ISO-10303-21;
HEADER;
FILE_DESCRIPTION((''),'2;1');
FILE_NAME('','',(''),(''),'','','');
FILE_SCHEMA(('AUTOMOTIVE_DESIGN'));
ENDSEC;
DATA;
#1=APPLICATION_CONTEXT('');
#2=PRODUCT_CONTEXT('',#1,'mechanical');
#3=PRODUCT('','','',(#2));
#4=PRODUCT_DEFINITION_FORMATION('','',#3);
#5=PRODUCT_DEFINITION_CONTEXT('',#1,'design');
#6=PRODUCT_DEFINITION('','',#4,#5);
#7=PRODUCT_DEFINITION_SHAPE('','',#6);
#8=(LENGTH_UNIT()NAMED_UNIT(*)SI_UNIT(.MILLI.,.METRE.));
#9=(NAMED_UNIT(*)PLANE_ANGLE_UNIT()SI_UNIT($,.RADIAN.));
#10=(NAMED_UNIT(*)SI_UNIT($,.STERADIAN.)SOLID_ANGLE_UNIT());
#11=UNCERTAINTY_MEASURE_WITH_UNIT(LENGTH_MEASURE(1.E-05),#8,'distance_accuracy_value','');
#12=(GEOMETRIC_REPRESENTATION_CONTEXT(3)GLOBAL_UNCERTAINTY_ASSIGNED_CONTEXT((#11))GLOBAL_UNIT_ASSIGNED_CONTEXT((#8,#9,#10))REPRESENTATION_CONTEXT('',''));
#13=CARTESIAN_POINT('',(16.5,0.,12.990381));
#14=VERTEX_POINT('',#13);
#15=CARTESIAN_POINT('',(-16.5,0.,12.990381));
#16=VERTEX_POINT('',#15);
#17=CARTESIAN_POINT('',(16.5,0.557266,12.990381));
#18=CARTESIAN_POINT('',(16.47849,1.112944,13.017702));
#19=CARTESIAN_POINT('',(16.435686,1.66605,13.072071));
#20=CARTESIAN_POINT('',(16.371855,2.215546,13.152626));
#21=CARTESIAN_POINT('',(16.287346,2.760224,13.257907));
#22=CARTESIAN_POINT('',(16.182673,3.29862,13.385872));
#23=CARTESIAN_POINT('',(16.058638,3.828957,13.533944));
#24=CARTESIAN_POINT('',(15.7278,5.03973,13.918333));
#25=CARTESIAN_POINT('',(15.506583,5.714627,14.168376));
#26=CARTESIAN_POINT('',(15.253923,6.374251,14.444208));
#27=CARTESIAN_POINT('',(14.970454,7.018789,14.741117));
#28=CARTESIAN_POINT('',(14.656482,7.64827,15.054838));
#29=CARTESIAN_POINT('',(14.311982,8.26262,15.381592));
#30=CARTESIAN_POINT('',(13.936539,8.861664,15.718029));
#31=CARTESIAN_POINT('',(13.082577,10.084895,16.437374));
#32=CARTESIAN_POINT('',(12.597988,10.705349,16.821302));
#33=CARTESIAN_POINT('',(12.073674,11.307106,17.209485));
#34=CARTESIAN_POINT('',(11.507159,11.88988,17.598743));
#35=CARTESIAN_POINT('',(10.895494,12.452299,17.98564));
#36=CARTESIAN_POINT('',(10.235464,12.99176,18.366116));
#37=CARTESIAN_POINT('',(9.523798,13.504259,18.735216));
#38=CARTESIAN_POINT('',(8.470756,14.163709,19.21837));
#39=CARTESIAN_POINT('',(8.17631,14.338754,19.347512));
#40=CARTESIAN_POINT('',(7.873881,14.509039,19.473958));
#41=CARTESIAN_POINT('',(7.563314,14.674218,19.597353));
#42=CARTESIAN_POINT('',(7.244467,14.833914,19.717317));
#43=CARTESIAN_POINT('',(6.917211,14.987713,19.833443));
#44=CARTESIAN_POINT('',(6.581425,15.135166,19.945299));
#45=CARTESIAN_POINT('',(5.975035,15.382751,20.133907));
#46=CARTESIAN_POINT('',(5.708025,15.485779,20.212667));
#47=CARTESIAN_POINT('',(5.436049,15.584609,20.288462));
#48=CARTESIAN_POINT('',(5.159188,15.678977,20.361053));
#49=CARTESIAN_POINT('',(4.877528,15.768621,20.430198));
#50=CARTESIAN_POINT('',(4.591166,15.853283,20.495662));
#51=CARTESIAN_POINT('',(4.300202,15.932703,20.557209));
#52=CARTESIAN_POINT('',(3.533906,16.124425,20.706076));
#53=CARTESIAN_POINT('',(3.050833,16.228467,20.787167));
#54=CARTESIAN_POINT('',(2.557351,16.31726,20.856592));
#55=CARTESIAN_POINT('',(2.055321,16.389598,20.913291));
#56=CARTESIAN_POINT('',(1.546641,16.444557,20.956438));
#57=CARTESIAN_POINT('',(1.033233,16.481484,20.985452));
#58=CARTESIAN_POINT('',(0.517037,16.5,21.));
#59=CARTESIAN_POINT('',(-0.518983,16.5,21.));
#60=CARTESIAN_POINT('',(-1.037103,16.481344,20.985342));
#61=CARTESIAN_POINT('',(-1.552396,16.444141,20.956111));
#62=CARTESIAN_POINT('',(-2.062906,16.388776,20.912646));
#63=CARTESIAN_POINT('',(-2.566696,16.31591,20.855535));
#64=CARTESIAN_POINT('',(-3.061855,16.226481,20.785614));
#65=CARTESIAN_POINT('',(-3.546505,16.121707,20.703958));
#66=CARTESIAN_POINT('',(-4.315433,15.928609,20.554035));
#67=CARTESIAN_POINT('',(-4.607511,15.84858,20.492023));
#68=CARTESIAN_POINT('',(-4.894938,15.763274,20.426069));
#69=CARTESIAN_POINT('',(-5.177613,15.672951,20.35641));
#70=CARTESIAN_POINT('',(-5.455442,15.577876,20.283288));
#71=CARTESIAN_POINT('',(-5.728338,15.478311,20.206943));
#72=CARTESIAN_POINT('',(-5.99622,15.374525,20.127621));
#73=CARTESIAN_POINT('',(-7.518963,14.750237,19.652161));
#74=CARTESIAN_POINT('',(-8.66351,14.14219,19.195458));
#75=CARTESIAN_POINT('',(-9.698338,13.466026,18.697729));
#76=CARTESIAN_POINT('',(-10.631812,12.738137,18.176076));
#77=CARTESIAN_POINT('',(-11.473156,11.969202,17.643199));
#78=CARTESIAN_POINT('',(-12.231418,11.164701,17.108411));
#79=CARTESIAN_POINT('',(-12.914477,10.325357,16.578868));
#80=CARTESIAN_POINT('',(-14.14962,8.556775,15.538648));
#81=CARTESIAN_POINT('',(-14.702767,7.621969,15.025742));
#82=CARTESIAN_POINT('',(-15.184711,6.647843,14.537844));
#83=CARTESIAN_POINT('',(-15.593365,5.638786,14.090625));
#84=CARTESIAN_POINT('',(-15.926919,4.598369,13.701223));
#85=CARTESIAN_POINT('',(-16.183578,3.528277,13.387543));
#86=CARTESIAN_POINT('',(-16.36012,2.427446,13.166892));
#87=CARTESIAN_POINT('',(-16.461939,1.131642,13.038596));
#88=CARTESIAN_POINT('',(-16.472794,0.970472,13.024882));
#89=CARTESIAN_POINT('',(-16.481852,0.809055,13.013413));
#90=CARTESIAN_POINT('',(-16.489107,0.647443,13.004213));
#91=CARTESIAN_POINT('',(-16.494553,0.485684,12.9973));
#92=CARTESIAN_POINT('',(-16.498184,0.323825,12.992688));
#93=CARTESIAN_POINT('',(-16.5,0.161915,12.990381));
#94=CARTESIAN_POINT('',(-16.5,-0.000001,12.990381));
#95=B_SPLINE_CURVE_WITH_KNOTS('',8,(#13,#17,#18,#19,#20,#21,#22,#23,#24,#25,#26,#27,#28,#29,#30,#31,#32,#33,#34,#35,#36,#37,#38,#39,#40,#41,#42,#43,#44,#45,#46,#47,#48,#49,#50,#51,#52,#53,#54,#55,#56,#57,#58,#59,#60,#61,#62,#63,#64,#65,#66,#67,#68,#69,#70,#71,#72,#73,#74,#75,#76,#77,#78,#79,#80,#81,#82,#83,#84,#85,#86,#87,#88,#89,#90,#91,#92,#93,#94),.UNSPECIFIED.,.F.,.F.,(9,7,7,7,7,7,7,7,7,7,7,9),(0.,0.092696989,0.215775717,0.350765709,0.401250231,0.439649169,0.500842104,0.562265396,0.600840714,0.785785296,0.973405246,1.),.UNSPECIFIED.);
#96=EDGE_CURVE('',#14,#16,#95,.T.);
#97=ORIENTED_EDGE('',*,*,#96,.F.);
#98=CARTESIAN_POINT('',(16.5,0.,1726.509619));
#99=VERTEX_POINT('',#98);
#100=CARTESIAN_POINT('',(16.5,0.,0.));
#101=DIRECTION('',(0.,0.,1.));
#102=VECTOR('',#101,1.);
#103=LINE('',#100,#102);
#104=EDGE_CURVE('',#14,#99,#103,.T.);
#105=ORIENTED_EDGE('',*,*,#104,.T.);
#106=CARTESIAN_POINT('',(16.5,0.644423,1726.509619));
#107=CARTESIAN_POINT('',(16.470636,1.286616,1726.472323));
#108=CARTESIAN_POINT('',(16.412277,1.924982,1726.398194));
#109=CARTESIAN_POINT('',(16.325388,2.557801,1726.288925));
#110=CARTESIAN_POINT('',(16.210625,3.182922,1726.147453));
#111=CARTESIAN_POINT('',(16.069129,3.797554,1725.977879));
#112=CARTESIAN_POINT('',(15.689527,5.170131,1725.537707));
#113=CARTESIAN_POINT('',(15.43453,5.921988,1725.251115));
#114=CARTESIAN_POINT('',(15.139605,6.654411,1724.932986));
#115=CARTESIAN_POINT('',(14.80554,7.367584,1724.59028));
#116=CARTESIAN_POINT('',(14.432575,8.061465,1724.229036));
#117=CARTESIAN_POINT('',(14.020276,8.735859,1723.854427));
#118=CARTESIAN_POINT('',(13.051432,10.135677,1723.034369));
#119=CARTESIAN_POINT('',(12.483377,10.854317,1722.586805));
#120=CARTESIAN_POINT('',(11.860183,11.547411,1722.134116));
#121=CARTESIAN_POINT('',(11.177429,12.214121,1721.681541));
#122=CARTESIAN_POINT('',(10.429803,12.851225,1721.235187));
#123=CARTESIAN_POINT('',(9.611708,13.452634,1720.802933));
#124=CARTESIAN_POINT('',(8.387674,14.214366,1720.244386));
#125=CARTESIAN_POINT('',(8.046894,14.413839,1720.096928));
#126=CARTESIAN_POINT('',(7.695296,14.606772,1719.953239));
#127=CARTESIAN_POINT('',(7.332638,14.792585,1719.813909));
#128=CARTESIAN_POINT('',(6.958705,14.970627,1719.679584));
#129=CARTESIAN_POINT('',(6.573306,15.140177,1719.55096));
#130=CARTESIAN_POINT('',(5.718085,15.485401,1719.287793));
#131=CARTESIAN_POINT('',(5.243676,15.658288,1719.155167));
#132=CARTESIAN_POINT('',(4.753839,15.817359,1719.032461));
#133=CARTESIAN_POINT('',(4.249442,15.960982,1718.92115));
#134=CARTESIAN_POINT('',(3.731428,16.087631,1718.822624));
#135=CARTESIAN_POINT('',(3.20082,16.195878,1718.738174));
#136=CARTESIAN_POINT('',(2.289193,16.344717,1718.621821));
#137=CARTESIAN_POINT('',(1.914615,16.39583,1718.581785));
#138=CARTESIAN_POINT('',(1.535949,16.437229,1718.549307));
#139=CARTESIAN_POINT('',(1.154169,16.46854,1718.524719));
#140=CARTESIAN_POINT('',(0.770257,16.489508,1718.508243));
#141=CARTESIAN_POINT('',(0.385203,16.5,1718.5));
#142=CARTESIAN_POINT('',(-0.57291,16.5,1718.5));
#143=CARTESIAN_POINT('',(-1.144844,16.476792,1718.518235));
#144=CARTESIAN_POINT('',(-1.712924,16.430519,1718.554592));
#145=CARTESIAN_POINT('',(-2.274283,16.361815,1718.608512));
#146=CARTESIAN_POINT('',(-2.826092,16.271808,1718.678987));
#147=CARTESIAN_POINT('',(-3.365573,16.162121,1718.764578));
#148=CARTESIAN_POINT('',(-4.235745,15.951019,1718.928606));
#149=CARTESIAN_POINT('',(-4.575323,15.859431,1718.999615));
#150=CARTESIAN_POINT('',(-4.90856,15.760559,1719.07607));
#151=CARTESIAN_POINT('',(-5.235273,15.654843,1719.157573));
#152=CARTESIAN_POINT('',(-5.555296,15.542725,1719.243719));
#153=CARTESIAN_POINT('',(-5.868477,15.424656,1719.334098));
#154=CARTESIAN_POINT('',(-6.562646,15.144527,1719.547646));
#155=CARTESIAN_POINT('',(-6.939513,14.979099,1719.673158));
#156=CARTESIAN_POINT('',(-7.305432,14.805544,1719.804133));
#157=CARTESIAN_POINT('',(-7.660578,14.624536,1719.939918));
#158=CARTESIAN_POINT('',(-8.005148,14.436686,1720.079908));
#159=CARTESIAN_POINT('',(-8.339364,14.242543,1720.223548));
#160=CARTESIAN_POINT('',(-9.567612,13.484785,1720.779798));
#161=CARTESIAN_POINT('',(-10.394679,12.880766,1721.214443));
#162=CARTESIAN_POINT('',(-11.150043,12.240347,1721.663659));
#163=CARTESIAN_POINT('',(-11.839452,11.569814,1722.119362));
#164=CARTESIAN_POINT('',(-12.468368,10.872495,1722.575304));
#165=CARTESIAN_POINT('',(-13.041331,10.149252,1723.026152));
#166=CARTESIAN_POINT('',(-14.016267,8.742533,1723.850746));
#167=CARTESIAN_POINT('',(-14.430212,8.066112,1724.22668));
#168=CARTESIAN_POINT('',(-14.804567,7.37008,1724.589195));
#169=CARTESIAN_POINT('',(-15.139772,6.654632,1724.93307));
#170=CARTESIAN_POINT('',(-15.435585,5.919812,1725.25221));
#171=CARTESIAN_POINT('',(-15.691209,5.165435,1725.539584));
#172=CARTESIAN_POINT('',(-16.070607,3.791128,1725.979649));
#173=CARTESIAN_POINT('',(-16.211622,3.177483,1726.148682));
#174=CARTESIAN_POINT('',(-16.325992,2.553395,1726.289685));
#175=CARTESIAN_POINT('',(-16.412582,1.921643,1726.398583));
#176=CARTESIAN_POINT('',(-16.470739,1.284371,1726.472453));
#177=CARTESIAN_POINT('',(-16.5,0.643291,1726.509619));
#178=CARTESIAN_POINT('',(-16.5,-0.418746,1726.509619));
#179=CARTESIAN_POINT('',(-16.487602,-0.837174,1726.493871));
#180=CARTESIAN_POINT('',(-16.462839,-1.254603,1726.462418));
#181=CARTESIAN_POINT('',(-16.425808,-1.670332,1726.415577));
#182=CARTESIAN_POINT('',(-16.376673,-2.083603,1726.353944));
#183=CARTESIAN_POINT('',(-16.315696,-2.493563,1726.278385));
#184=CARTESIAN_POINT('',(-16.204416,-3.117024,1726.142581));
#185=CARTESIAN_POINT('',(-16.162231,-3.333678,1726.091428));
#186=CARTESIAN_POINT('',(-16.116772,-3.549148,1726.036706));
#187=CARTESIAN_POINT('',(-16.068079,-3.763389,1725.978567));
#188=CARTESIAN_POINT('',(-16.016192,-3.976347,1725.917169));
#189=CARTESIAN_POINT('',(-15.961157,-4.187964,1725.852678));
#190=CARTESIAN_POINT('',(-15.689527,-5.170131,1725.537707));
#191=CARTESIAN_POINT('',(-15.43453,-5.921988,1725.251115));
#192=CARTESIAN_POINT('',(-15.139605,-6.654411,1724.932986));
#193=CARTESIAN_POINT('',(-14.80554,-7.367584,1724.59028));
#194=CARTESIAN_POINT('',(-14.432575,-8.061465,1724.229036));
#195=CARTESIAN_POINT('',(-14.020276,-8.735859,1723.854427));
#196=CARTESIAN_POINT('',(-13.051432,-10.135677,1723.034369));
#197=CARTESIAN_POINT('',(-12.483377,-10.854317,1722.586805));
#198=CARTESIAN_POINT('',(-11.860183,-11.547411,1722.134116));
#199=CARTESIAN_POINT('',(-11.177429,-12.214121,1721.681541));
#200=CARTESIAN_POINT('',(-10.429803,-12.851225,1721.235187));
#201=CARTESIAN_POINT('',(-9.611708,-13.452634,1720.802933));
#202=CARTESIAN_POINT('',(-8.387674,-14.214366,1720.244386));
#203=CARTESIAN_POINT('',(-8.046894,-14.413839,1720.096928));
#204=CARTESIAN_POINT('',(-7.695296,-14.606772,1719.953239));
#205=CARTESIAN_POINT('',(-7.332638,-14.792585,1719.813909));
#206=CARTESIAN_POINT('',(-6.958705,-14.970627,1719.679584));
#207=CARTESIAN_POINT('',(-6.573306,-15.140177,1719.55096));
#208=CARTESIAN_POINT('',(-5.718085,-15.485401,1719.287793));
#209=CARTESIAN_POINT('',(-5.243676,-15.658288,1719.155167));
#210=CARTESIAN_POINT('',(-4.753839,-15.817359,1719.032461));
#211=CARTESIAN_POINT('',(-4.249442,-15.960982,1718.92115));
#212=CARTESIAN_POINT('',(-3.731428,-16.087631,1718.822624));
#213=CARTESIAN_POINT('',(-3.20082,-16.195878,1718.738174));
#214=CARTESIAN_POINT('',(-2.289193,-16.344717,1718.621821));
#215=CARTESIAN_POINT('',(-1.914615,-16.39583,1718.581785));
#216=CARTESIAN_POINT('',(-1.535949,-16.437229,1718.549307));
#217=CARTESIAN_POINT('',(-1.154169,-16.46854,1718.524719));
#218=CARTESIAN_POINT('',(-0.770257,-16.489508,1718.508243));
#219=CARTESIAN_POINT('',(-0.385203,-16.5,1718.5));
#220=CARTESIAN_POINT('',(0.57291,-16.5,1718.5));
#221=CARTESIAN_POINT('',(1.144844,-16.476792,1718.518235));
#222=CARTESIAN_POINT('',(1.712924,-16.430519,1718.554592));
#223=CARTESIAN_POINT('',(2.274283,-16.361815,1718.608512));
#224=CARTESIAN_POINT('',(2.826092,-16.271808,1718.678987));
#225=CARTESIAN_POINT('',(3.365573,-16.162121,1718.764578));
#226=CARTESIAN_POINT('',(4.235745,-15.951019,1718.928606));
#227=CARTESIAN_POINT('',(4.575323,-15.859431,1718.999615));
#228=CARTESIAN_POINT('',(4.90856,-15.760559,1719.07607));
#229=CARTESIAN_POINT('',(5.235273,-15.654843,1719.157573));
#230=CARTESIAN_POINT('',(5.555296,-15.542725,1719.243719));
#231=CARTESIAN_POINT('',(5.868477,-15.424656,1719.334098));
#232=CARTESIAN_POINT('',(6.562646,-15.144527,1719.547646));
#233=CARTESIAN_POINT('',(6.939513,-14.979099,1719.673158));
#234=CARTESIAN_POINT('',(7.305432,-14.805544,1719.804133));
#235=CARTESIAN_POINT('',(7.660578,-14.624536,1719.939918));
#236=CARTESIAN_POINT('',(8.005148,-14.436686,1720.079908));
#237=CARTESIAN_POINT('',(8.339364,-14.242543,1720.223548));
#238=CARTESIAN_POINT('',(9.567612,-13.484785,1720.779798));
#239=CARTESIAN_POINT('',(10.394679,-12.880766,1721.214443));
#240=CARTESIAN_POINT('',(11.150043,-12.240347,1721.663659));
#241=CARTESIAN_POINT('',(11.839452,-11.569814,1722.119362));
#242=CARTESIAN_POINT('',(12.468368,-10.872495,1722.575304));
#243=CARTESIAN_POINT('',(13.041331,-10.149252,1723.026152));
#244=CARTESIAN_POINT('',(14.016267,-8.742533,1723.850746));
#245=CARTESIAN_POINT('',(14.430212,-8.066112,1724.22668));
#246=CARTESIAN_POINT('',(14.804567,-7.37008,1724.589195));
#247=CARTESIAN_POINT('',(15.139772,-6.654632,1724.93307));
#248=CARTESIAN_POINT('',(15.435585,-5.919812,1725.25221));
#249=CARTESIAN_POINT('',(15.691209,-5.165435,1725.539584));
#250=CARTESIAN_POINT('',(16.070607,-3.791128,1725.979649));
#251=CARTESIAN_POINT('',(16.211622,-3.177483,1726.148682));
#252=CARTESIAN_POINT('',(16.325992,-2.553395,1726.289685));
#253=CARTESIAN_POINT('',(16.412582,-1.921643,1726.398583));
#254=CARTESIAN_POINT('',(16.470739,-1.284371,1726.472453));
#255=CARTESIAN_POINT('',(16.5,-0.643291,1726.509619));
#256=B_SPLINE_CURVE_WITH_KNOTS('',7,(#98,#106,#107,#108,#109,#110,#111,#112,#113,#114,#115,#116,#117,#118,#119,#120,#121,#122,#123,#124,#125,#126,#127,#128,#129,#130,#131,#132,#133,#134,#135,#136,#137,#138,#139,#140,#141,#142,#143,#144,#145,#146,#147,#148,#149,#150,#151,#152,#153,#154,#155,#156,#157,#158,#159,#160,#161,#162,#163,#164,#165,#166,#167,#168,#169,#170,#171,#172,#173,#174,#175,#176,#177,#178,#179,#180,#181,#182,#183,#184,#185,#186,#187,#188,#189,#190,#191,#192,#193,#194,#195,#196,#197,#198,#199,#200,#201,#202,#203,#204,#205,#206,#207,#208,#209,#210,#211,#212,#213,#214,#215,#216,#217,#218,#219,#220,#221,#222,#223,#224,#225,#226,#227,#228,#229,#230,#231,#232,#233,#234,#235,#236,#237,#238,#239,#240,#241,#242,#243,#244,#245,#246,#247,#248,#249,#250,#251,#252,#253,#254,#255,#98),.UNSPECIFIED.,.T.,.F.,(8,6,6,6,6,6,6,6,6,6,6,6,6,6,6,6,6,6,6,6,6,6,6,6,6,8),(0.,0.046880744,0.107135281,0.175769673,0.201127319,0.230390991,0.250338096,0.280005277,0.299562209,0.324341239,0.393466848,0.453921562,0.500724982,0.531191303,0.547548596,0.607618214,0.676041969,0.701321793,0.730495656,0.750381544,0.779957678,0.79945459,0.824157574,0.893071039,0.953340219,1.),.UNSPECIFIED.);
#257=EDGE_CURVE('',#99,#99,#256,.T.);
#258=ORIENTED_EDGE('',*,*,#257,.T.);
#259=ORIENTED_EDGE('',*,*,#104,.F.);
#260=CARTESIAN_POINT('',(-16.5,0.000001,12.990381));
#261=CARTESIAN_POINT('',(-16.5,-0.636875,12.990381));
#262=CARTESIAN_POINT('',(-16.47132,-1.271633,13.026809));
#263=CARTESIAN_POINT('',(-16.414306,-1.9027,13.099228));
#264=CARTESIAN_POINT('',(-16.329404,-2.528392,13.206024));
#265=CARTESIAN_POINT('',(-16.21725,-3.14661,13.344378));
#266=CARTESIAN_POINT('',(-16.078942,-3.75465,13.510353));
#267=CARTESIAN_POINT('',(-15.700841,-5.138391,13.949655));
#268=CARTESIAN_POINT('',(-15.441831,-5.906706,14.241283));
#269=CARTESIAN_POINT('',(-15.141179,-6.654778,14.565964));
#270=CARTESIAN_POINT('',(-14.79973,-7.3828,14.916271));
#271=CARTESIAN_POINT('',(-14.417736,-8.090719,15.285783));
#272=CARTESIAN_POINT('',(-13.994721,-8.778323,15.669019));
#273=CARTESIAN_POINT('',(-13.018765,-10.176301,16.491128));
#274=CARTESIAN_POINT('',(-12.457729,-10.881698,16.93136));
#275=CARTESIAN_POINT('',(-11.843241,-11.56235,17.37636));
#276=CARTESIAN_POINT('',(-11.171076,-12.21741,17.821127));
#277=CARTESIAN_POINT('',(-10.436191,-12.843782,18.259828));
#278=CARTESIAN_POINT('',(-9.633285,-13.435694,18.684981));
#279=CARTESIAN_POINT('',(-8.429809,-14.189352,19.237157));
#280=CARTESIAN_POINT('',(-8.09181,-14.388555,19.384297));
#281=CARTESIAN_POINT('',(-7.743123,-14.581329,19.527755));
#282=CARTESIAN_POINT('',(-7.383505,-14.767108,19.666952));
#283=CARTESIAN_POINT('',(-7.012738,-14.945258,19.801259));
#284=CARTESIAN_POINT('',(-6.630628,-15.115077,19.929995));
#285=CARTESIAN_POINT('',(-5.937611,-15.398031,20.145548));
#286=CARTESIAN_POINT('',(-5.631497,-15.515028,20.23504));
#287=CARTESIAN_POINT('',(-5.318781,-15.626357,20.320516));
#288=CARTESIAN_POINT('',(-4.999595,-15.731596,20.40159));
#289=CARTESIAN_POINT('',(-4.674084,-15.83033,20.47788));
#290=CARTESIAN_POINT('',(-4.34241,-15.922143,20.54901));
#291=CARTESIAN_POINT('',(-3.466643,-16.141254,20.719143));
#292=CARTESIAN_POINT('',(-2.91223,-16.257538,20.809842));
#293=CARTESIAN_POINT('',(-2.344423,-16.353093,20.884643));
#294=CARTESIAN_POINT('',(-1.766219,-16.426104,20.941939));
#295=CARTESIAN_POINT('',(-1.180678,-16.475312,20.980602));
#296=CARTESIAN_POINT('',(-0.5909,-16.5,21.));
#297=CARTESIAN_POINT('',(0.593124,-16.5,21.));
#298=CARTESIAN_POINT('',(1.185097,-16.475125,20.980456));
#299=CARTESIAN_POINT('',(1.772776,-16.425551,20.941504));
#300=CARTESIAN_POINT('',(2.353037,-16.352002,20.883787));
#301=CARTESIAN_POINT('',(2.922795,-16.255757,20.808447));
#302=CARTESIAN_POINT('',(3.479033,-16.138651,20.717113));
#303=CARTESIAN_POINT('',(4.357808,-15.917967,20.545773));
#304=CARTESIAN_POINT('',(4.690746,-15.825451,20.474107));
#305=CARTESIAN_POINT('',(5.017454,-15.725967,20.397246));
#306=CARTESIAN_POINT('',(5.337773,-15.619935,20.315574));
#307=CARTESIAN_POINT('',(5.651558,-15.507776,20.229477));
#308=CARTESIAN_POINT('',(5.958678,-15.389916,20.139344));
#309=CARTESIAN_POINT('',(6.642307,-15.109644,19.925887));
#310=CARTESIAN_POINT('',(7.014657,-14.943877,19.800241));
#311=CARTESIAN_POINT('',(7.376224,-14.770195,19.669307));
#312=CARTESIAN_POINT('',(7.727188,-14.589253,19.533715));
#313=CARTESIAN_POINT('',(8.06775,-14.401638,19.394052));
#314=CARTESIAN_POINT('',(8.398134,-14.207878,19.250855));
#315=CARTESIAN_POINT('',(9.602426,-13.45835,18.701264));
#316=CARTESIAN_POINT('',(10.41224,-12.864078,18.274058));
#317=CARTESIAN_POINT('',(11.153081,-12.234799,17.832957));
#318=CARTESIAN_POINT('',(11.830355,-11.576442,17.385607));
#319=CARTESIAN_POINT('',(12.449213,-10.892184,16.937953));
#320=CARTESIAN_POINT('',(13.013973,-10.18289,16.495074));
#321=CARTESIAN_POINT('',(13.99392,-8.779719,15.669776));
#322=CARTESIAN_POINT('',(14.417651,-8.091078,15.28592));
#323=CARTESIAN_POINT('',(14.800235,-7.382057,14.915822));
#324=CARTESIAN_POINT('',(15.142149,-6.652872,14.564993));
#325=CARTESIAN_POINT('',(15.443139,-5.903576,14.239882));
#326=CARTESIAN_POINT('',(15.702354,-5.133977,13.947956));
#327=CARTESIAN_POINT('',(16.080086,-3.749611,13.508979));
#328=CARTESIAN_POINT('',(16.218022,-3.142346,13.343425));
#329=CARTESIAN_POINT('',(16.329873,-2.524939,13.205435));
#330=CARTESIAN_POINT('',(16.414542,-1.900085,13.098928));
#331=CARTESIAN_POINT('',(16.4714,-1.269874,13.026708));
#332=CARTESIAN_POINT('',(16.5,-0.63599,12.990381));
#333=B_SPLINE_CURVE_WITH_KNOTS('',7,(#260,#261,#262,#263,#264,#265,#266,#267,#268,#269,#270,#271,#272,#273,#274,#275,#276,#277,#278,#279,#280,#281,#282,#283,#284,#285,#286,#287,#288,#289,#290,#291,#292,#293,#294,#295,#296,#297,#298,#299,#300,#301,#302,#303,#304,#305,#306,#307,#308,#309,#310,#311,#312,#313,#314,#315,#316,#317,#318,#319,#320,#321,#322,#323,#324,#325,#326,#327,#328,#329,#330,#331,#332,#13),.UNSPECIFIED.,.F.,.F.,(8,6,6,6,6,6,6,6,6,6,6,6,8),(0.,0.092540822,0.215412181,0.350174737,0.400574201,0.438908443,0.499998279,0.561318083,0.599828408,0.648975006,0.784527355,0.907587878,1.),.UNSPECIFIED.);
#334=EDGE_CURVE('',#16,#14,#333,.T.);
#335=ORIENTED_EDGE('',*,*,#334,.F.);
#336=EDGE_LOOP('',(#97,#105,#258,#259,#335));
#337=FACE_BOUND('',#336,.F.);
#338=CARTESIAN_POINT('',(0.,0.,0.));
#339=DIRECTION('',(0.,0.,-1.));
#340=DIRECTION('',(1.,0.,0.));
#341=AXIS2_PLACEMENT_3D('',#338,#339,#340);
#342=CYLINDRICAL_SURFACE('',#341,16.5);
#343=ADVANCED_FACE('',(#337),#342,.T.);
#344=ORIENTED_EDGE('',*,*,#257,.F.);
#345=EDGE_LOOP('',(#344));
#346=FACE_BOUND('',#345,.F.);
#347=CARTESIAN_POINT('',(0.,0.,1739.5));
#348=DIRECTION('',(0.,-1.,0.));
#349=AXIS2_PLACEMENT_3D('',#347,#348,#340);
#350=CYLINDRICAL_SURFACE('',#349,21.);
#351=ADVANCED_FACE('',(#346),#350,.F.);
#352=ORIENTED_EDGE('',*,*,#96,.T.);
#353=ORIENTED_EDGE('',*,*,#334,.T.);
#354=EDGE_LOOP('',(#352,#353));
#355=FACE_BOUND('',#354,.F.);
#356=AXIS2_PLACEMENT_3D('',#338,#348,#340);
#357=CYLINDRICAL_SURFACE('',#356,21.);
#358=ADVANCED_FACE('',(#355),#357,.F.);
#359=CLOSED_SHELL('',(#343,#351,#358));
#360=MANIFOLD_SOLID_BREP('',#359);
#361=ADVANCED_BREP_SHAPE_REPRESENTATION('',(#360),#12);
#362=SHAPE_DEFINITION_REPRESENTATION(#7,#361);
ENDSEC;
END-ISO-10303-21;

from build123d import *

# Parameters (mm, degrees)
F0_R     = 16.5
F1_DEPTH = 1739.5
F2_R     = 21
F3_DEPTH = 50


with BuildPart() as f1:
    # F0 (on Top) → F1 (new body)
    with BuildSketch(Plane.XY):
        Circle(F0_R)
    extrude(amount=F1_DEPTH)

    # F2 (on Front) → F3 (cut, symmetric)
    with BuildSketch(Plane.XZ):
        Circle(F2_R)
        with Locations((0, 1739.5)):
            Circle(F2_R)
    extrude(amount=F3_DEPTH, both=True, mode=Mode.SUBTRACT)


solid = f1.part
